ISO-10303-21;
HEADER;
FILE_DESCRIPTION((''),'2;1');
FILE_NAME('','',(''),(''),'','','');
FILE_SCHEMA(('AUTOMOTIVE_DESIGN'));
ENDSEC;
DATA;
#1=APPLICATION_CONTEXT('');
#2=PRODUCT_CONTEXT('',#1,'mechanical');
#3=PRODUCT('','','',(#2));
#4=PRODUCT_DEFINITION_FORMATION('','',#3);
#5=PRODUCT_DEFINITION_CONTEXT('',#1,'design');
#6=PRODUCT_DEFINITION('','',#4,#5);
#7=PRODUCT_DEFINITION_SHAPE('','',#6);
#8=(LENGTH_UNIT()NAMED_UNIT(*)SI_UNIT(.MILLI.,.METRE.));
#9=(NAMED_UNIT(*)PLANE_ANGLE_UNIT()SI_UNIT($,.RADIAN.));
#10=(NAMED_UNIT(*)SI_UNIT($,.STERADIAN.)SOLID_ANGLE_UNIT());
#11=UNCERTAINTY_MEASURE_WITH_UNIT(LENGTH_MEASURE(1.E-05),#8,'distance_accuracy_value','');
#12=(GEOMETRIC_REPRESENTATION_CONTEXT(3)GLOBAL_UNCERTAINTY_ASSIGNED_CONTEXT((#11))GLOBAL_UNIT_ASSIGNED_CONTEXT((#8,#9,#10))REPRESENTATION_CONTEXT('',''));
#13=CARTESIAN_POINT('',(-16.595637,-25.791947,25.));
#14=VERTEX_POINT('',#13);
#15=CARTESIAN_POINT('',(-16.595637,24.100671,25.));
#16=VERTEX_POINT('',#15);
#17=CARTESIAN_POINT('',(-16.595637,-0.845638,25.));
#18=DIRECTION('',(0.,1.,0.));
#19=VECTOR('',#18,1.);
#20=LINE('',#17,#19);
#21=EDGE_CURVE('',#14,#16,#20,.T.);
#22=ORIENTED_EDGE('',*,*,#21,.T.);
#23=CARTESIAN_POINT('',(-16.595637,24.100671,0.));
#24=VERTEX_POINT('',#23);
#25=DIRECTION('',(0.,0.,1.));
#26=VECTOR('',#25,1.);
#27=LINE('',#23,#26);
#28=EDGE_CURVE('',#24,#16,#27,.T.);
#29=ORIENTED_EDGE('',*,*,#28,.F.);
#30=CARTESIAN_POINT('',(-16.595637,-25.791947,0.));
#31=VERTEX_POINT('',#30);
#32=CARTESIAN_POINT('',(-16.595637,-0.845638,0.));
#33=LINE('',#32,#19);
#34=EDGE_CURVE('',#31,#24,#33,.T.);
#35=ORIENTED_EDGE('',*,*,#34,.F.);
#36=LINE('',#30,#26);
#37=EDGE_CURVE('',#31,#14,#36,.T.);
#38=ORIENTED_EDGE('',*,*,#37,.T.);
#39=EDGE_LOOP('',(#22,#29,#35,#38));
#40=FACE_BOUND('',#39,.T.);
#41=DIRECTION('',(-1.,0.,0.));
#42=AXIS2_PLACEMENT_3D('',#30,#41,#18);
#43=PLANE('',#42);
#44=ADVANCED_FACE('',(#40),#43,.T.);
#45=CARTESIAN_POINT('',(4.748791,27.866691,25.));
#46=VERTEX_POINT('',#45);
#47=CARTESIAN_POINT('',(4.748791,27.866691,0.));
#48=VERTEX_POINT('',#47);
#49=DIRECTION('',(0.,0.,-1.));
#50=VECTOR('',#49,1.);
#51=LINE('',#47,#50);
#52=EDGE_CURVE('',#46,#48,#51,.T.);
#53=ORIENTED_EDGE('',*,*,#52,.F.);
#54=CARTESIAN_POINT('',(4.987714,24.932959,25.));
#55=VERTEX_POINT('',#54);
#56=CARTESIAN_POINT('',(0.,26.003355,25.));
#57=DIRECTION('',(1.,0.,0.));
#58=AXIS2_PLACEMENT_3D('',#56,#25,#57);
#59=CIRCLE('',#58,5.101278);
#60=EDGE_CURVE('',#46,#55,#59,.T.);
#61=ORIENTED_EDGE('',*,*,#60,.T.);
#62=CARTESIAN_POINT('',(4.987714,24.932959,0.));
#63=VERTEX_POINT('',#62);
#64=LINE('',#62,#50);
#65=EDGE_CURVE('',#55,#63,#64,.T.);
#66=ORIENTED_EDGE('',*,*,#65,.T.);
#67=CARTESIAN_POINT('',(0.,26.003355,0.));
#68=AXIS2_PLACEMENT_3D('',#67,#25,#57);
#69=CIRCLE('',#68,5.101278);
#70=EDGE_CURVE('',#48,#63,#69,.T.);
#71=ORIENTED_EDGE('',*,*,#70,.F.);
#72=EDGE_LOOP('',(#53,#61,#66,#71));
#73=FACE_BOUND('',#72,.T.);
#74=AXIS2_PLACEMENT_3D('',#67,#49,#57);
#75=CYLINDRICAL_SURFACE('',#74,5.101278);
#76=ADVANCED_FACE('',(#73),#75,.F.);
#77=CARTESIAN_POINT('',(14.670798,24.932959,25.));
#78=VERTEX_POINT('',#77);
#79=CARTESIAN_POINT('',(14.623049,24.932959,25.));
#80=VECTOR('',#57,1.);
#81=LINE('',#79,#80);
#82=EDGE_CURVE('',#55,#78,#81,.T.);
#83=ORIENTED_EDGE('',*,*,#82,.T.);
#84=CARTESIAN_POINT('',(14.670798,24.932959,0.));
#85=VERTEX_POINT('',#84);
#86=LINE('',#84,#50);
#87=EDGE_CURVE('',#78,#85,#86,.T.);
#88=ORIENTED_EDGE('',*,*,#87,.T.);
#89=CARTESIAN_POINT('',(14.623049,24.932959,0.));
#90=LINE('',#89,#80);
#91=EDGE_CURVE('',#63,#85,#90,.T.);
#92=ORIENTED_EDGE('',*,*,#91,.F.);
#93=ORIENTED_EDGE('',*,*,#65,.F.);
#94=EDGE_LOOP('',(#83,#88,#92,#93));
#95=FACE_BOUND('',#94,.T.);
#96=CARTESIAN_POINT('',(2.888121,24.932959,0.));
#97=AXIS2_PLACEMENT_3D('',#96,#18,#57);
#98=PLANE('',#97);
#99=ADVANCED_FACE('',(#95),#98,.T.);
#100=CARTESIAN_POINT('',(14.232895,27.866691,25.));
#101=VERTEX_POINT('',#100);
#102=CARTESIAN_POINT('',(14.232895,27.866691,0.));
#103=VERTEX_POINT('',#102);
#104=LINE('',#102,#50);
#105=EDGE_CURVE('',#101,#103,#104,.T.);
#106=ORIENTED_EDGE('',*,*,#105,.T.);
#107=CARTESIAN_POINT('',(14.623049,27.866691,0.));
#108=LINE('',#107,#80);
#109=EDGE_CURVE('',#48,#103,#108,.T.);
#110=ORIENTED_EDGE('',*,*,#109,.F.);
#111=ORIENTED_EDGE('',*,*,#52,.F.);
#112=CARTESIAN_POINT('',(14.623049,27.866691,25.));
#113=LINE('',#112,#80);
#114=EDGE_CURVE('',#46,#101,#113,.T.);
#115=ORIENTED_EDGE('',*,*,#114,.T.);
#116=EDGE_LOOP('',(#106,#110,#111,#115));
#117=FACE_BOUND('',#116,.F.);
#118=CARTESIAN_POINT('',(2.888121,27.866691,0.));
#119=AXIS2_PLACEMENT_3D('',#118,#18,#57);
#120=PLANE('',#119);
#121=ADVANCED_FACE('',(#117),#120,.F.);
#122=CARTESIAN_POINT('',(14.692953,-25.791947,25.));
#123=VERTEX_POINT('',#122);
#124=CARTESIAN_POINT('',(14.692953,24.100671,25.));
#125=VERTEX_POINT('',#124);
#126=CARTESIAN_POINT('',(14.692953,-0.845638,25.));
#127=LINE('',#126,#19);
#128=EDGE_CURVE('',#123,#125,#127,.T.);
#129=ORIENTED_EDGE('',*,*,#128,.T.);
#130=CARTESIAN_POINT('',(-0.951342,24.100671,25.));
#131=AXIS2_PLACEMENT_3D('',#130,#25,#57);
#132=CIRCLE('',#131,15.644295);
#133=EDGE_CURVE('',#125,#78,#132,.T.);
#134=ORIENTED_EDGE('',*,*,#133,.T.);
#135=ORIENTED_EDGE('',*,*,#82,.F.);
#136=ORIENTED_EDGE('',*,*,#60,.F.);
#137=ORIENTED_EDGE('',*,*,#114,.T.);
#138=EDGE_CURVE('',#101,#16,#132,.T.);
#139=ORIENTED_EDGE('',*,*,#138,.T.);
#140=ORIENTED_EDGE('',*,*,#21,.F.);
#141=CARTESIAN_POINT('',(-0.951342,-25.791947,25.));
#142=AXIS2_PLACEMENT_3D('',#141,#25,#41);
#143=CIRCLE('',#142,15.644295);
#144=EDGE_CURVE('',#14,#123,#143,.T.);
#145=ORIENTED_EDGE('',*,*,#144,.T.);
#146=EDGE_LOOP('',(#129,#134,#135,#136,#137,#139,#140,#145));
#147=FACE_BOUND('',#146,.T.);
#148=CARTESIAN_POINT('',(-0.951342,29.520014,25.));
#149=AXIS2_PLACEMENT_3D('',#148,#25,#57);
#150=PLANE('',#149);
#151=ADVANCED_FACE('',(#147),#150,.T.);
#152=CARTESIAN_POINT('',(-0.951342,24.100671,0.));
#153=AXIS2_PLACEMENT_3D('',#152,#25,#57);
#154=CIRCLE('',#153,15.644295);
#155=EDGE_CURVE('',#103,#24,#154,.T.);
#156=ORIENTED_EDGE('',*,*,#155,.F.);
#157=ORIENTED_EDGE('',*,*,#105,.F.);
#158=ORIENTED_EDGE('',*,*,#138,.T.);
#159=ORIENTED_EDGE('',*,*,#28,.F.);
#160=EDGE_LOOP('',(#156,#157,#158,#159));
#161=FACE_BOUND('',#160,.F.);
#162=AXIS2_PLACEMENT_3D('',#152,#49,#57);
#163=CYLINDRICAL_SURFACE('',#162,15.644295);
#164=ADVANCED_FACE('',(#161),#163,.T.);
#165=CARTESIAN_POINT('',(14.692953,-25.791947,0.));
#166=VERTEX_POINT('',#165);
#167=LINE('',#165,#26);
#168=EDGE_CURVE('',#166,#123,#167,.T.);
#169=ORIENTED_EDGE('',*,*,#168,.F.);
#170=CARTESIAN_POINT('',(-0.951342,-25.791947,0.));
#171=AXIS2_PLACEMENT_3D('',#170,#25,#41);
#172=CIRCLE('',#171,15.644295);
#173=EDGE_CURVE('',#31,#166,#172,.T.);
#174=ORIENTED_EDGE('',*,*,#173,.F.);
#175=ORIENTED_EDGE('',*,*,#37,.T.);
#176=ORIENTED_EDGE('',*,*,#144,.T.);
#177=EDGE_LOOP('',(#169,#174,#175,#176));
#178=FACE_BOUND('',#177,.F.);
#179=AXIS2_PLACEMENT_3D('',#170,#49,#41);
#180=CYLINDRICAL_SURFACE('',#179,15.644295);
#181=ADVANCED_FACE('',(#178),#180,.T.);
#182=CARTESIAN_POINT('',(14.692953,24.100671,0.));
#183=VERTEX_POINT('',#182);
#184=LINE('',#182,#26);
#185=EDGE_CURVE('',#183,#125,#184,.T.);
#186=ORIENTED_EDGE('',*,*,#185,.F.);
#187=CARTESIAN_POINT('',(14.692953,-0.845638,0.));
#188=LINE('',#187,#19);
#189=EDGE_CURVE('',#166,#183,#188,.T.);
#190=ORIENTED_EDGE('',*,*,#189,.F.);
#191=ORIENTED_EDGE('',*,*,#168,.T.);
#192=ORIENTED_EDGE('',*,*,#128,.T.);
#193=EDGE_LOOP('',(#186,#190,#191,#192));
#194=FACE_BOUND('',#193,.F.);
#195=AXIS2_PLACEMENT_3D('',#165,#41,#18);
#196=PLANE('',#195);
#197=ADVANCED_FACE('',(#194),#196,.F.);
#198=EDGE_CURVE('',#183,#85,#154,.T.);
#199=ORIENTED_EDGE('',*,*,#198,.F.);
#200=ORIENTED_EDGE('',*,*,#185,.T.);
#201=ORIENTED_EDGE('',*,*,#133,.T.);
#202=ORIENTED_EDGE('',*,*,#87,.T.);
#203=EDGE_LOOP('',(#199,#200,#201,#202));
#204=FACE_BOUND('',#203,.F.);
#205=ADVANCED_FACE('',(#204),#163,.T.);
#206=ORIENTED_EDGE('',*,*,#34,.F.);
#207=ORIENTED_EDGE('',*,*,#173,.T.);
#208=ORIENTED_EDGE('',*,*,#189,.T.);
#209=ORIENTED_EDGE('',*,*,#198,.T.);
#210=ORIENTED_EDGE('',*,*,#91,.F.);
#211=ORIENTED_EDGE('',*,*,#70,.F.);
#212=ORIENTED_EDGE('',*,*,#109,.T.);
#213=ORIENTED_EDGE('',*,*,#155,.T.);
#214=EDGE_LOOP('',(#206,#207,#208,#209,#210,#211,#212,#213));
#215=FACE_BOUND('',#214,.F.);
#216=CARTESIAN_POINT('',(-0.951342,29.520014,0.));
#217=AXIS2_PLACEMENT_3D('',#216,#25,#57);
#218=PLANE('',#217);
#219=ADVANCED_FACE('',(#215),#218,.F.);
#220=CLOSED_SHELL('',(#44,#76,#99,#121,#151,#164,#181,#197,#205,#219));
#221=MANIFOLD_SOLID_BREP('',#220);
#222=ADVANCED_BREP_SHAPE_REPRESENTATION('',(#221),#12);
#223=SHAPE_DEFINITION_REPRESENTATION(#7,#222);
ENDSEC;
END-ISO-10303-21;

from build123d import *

# Parameters (mm, degrees)
F0_W     = 31.28859
F0_H     = 49.892618
F1_DEPTH = 25
F2_R     = 5.101278
F3_DEPTH = 25
F4_W     = 23.469856
F4_H     = 2.933731
F5_DEPTH = 25


with BuildPart() as f1:
    # F0 (on Top) → F1 (new body)
    with BuildSketch(Plane.XY):
        with BuildLine():
            ThreePointArc((14.692953, 24.100671), (-0.951342, 39.744966), (-16.595637, 24.100671))
            Line((-16.595637, 24.100671), (14.692953, 24.100671))
        make_face()
        with Locations((-0.951342, -0.845638)):
            Rectangle(F0_W, F0_H)
        with BuildLine():
            Line((14.692953, -25.791947), (-16.595637, -25.791947))
            ThreePointArc((-16.595637, -25.791947), (-0.951342, -41.436242), (14.692953, -25.791947))
        make_face()
    extrude(amount=F1_DEPTH)

    # F2 (on Top) → F3 (cut)
    with BuildSketch(Plane.XY):
        with Locations((0, 26.003355)):
            Circle(F2_R)
    extrude(amount=F3_DEPTH, mode=Mode.SUBTRACT)

    # F4 (on face) → F5 (cut)
    with BuildSketch(Plane(origin=(0, 0, 0), x_dir=(1, 0, 0), z_dir=(0, 0, -1))):
        with Locations((14.623049, -26.399825)):
            Rectangle(F4_W, F4_H)
    extrude(amount=-F5_DEPTH, mode=Mode.SUBTRACT)


solid = f1.part
